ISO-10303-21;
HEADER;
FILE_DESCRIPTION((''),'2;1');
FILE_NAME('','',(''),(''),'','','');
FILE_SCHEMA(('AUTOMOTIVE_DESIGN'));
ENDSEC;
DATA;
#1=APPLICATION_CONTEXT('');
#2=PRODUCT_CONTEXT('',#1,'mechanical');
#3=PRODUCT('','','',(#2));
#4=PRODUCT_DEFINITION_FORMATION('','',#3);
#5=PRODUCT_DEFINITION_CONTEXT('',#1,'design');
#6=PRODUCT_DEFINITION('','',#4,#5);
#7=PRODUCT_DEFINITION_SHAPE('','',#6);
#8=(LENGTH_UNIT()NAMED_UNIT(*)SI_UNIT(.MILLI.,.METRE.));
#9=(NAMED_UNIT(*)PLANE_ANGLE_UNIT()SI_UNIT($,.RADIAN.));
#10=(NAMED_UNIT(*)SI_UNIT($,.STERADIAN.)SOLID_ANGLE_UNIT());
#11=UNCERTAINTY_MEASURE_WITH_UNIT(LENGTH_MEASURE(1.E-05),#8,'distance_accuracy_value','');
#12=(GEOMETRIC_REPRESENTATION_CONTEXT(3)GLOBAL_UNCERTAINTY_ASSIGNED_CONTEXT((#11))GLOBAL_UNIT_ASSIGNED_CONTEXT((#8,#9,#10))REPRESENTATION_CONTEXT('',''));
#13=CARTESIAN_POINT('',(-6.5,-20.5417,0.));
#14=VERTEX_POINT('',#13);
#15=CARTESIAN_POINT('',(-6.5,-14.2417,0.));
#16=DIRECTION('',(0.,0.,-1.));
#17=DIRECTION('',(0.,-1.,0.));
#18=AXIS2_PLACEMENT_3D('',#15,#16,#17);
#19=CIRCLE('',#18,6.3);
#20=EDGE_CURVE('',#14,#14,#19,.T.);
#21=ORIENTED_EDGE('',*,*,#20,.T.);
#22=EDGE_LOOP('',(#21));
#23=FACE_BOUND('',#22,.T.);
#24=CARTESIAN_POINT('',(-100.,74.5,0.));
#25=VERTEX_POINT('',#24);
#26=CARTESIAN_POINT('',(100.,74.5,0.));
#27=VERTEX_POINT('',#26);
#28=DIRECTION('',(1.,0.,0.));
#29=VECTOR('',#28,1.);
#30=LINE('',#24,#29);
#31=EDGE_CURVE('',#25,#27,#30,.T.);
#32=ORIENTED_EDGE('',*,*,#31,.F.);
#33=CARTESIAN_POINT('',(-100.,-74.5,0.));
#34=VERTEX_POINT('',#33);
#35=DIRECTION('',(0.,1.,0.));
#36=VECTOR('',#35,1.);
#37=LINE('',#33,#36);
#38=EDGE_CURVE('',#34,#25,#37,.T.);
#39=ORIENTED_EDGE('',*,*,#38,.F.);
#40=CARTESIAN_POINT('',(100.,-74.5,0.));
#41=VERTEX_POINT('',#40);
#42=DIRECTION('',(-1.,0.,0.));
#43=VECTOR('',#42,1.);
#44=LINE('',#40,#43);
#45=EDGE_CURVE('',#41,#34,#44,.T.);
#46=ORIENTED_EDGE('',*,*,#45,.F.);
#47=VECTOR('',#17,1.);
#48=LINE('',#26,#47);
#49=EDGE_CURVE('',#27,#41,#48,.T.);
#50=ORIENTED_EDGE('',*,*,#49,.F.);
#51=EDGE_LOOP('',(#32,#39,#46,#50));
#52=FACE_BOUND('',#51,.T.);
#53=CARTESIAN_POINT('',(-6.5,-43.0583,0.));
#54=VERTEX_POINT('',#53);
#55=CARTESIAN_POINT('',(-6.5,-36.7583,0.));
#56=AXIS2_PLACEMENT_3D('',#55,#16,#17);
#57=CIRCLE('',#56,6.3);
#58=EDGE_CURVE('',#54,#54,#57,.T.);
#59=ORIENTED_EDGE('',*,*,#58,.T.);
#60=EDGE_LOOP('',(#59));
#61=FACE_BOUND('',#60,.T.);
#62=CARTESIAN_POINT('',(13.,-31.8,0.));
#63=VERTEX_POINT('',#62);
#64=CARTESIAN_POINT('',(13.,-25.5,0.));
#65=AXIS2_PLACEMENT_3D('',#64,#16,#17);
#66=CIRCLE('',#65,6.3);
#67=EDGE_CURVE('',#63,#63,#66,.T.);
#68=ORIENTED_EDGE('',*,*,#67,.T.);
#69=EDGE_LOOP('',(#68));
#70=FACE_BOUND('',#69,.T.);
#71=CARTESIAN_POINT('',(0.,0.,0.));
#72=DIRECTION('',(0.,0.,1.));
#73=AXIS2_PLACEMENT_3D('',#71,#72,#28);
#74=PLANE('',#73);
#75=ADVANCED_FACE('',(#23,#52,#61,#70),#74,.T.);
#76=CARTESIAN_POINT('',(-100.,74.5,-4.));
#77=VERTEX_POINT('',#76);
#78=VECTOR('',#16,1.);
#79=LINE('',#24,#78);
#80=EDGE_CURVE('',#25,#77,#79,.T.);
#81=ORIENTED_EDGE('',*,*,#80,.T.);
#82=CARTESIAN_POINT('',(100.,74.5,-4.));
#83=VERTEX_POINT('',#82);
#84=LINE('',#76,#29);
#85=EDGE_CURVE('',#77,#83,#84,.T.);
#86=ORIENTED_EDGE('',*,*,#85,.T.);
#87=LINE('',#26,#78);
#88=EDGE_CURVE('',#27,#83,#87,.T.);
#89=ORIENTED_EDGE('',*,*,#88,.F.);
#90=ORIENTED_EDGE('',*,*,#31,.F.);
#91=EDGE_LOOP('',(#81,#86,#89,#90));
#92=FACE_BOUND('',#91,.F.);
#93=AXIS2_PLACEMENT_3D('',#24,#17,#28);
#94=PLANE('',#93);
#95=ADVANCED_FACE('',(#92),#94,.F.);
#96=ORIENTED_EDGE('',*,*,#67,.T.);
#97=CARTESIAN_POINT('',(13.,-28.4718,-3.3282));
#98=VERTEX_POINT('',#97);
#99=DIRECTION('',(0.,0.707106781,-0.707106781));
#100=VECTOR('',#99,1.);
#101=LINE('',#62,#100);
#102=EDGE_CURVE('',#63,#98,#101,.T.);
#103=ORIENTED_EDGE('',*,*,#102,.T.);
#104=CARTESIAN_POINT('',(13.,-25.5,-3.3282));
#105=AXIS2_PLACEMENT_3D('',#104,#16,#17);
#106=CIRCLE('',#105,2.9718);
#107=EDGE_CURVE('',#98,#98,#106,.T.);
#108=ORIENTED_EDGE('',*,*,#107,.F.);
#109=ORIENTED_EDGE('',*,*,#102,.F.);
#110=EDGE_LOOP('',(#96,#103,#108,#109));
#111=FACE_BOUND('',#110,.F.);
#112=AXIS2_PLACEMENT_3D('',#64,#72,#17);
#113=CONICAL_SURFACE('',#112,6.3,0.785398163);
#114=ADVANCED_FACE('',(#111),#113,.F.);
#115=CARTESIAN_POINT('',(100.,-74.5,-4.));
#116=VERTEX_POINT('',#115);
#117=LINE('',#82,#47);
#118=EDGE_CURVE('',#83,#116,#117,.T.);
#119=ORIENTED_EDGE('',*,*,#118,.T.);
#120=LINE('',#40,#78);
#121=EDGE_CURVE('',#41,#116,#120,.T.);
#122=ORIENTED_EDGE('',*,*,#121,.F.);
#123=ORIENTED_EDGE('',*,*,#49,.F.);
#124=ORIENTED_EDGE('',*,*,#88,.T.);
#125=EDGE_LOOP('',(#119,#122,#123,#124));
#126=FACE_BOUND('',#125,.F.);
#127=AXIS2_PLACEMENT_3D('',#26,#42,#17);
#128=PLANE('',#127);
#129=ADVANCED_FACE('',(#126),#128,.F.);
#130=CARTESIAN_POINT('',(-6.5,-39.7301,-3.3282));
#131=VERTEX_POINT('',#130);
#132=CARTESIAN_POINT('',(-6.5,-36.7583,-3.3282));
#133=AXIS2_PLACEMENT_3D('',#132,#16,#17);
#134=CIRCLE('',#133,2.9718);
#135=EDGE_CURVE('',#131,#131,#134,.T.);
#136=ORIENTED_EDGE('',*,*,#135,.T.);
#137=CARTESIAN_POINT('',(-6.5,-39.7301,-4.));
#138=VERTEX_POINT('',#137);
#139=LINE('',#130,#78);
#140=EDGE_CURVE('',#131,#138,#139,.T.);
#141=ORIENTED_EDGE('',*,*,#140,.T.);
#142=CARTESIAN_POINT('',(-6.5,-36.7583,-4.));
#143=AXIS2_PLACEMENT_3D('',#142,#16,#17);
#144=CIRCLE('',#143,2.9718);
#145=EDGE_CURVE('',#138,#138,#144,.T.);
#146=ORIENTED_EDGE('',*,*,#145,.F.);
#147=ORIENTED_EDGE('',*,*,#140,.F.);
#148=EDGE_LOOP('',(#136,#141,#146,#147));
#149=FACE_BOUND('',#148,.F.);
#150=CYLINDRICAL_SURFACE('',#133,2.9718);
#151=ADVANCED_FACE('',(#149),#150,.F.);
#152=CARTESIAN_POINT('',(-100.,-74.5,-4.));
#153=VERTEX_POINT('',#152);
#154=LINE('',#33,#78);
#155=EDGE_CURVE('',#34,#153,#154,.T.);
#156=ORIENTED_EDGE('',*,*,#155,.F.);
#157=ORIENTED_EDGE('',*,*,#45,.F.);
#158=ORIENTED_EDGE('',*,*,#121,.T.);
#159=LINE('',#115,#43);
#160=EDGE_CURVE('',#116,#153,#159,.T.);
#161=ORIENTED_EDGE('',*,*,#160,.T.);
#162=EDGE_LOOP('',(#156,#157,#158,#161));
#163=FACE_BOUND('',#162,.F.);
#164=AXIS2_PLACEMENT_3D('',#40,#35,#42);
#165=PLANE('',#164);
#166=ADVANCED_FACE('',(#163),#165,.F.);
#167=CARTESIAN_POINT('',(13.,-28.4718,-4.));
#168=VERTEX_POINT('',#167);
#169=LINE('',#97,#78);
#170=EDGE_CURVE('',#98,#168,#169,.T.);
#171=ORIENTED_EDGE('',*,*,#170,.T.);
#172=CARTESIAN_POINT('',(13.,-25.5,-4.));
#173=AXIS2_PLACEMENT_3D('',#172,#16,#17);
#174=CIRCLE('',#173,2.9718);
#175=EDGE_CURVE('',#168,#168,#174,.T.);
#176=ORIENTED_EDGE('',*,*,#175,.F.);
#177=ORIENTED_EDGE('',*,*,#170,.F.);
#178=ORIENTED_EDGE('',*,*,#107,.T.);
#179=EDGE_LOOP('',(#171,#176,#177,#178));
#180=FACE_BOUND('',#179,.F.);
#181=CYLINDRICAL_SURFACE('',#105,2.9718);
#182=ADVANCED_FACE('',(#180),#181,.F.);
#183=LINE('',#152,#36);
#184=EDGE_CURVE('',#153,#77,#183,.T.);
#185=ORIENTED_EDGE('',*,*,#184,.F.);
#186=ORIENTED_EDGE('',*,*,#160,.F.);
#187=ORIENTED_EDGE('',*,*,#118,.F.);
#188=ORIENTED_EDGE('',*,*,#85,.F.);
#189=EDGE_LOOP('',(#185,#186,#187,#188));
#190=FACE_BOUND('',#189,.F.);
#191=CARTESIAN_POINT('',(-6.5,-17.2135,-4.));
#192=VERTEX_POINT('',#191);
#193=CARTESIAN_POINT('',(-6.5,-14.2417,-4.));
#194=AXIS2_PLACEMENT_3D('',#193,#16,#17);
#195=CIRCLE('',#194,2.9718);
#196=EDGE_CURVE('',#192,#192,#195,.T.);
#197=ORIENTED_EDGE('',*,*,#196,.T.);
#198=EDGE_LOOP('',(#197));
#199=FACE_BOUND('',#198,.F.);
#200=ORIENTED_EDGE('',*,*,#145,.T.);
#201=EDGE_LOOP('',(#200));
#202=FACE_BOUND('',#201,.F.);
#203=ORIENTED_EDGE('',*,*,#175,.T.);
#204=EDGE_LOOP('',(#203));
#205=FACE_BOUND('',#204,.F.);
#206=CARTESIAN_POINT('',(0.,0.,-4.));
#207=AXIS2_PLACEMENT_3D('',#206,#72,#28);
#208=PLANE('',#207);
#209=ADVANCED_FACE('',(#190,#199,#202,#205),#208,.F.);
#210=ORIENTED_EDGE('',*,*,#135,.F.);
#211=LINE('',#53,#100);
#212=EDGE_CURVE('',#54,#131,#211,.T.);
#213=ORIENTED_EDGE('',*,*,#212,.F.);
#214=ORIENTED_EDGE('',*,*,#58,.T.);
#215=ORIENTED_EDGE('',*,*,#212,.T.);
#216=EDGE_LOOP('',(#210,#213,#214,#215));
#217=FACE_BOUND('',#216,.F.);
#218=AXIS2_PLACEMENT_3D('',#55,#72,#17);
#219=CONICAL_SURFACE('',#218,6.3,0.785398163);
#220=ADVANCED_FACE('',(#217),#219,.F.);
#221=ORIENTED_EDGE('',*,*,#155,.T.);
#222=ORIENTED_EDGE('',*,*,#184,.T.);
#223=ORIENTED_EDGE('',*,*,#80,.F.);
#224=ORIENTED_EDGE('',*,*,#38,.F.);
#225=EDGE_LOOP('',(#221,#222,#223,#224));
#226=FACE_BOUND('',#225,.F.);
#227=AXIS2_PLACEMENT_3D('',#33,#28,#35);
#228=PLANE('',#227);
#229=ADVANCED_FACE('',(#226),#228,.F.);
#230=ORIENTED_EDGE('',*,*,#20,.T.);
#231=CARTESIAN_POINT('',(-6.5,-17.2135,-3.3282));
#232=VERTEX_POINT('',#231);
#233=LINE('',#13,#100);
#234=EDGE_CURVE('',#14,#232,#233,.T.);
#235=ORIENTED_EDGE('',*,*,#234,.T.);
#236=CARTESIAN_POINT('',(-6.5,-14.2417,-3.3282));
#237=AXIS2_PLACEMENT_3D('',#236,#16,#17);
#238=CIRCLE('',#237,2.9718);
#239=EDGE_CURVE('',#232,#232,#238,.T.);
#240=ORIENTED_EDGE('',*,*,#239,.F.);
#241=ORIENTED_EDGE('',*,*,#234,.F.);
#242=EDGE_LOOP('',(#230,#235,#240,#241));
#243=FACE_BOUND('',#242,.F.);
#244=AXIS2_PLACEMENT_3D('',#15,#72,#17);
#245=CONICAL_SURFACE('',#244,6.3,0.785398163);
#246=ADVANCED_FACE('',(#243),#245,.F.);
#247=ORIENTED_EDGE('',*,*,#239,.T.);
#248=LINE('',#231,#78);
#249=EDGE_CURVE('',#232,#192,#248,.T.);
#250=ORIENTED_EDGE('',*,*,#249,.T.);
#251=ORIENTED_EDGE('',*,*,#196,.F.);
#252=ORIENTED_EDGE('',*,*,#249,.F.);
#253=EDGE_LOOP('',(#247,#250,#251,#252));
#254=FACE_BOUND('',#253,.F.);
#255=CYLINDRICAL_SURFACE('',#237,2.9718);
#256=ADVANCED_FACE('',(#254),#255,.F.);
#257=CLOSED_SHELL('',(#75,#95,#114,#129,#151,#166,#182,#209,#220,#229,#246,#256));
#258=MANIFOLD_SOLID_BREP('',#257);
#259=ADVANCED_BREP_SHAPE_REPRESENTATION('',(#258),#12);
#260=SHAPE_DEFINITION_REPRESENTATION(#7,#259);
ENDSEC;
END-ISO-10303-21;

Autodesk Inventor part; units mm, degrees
ref_plane "YZ Plane" through (0, 0, 0) normal (1, 0, 0) x (0, 1, 0)
ref_plane "XZ Plane" through (0, 0, 0) normal (0, 1, 0) x (-1, 0, 0)
ref_plane "XY Plane" through (0, 0, 0) normal (0, 0, 1) x (1, 0, 0)
sketch "スケッチ1" plane through (0, 0, 0) normal (0, 0, 1) x (1, 0, 0)
  line L0 (-100, 74.5) -> (100, 74.5)
  line L1 (100, 74.5) -> (100, -74.5)
  line L2 (100, -74.5) -> (-100, -74.5)
  line L3 (-100, -74.5) -> (-100, 74.5)
  line L4 (-100, 74.5) -> (100, -74.5) construction
  line L5 (100, 74.5) -> (-100, -74.5) construction
  circle A0 centre (0, -25.5) radius 13
  point P0 (0, 0)
  point P1 (13, -25.5)
  point P2 (-6.5, -14.2417)
  point P3 (-6.5, -36.7583)
  dimension "d4" = 26
  dimension "d0" = 200
  dimension "d1" = 149
  dimension "d10" = 360
  dimension "d19" = 100
  dimension "d20" = 49
  dimension "d22" = 0
extrude "押し出し1" add sketch "スケッチ1" against normal blind 4 contours L0 L1 L2 L3 | A0
hole "穴1" at (13, -25.5, 0) at (-6.5, -14.2417, 0) at (-6.5, -36.7583, 0) direction (0, 0, -1) diameter 5.9436 depth 10.65 tip angle 118 countersink diameter 12.6 countersink angle 90 thread size "1/16" designation "1/16 - 27 NPT" standard "NPT for PVC Pipe and Fitting"
properties part number "Board" material "アルミニウム 2014-T4"
